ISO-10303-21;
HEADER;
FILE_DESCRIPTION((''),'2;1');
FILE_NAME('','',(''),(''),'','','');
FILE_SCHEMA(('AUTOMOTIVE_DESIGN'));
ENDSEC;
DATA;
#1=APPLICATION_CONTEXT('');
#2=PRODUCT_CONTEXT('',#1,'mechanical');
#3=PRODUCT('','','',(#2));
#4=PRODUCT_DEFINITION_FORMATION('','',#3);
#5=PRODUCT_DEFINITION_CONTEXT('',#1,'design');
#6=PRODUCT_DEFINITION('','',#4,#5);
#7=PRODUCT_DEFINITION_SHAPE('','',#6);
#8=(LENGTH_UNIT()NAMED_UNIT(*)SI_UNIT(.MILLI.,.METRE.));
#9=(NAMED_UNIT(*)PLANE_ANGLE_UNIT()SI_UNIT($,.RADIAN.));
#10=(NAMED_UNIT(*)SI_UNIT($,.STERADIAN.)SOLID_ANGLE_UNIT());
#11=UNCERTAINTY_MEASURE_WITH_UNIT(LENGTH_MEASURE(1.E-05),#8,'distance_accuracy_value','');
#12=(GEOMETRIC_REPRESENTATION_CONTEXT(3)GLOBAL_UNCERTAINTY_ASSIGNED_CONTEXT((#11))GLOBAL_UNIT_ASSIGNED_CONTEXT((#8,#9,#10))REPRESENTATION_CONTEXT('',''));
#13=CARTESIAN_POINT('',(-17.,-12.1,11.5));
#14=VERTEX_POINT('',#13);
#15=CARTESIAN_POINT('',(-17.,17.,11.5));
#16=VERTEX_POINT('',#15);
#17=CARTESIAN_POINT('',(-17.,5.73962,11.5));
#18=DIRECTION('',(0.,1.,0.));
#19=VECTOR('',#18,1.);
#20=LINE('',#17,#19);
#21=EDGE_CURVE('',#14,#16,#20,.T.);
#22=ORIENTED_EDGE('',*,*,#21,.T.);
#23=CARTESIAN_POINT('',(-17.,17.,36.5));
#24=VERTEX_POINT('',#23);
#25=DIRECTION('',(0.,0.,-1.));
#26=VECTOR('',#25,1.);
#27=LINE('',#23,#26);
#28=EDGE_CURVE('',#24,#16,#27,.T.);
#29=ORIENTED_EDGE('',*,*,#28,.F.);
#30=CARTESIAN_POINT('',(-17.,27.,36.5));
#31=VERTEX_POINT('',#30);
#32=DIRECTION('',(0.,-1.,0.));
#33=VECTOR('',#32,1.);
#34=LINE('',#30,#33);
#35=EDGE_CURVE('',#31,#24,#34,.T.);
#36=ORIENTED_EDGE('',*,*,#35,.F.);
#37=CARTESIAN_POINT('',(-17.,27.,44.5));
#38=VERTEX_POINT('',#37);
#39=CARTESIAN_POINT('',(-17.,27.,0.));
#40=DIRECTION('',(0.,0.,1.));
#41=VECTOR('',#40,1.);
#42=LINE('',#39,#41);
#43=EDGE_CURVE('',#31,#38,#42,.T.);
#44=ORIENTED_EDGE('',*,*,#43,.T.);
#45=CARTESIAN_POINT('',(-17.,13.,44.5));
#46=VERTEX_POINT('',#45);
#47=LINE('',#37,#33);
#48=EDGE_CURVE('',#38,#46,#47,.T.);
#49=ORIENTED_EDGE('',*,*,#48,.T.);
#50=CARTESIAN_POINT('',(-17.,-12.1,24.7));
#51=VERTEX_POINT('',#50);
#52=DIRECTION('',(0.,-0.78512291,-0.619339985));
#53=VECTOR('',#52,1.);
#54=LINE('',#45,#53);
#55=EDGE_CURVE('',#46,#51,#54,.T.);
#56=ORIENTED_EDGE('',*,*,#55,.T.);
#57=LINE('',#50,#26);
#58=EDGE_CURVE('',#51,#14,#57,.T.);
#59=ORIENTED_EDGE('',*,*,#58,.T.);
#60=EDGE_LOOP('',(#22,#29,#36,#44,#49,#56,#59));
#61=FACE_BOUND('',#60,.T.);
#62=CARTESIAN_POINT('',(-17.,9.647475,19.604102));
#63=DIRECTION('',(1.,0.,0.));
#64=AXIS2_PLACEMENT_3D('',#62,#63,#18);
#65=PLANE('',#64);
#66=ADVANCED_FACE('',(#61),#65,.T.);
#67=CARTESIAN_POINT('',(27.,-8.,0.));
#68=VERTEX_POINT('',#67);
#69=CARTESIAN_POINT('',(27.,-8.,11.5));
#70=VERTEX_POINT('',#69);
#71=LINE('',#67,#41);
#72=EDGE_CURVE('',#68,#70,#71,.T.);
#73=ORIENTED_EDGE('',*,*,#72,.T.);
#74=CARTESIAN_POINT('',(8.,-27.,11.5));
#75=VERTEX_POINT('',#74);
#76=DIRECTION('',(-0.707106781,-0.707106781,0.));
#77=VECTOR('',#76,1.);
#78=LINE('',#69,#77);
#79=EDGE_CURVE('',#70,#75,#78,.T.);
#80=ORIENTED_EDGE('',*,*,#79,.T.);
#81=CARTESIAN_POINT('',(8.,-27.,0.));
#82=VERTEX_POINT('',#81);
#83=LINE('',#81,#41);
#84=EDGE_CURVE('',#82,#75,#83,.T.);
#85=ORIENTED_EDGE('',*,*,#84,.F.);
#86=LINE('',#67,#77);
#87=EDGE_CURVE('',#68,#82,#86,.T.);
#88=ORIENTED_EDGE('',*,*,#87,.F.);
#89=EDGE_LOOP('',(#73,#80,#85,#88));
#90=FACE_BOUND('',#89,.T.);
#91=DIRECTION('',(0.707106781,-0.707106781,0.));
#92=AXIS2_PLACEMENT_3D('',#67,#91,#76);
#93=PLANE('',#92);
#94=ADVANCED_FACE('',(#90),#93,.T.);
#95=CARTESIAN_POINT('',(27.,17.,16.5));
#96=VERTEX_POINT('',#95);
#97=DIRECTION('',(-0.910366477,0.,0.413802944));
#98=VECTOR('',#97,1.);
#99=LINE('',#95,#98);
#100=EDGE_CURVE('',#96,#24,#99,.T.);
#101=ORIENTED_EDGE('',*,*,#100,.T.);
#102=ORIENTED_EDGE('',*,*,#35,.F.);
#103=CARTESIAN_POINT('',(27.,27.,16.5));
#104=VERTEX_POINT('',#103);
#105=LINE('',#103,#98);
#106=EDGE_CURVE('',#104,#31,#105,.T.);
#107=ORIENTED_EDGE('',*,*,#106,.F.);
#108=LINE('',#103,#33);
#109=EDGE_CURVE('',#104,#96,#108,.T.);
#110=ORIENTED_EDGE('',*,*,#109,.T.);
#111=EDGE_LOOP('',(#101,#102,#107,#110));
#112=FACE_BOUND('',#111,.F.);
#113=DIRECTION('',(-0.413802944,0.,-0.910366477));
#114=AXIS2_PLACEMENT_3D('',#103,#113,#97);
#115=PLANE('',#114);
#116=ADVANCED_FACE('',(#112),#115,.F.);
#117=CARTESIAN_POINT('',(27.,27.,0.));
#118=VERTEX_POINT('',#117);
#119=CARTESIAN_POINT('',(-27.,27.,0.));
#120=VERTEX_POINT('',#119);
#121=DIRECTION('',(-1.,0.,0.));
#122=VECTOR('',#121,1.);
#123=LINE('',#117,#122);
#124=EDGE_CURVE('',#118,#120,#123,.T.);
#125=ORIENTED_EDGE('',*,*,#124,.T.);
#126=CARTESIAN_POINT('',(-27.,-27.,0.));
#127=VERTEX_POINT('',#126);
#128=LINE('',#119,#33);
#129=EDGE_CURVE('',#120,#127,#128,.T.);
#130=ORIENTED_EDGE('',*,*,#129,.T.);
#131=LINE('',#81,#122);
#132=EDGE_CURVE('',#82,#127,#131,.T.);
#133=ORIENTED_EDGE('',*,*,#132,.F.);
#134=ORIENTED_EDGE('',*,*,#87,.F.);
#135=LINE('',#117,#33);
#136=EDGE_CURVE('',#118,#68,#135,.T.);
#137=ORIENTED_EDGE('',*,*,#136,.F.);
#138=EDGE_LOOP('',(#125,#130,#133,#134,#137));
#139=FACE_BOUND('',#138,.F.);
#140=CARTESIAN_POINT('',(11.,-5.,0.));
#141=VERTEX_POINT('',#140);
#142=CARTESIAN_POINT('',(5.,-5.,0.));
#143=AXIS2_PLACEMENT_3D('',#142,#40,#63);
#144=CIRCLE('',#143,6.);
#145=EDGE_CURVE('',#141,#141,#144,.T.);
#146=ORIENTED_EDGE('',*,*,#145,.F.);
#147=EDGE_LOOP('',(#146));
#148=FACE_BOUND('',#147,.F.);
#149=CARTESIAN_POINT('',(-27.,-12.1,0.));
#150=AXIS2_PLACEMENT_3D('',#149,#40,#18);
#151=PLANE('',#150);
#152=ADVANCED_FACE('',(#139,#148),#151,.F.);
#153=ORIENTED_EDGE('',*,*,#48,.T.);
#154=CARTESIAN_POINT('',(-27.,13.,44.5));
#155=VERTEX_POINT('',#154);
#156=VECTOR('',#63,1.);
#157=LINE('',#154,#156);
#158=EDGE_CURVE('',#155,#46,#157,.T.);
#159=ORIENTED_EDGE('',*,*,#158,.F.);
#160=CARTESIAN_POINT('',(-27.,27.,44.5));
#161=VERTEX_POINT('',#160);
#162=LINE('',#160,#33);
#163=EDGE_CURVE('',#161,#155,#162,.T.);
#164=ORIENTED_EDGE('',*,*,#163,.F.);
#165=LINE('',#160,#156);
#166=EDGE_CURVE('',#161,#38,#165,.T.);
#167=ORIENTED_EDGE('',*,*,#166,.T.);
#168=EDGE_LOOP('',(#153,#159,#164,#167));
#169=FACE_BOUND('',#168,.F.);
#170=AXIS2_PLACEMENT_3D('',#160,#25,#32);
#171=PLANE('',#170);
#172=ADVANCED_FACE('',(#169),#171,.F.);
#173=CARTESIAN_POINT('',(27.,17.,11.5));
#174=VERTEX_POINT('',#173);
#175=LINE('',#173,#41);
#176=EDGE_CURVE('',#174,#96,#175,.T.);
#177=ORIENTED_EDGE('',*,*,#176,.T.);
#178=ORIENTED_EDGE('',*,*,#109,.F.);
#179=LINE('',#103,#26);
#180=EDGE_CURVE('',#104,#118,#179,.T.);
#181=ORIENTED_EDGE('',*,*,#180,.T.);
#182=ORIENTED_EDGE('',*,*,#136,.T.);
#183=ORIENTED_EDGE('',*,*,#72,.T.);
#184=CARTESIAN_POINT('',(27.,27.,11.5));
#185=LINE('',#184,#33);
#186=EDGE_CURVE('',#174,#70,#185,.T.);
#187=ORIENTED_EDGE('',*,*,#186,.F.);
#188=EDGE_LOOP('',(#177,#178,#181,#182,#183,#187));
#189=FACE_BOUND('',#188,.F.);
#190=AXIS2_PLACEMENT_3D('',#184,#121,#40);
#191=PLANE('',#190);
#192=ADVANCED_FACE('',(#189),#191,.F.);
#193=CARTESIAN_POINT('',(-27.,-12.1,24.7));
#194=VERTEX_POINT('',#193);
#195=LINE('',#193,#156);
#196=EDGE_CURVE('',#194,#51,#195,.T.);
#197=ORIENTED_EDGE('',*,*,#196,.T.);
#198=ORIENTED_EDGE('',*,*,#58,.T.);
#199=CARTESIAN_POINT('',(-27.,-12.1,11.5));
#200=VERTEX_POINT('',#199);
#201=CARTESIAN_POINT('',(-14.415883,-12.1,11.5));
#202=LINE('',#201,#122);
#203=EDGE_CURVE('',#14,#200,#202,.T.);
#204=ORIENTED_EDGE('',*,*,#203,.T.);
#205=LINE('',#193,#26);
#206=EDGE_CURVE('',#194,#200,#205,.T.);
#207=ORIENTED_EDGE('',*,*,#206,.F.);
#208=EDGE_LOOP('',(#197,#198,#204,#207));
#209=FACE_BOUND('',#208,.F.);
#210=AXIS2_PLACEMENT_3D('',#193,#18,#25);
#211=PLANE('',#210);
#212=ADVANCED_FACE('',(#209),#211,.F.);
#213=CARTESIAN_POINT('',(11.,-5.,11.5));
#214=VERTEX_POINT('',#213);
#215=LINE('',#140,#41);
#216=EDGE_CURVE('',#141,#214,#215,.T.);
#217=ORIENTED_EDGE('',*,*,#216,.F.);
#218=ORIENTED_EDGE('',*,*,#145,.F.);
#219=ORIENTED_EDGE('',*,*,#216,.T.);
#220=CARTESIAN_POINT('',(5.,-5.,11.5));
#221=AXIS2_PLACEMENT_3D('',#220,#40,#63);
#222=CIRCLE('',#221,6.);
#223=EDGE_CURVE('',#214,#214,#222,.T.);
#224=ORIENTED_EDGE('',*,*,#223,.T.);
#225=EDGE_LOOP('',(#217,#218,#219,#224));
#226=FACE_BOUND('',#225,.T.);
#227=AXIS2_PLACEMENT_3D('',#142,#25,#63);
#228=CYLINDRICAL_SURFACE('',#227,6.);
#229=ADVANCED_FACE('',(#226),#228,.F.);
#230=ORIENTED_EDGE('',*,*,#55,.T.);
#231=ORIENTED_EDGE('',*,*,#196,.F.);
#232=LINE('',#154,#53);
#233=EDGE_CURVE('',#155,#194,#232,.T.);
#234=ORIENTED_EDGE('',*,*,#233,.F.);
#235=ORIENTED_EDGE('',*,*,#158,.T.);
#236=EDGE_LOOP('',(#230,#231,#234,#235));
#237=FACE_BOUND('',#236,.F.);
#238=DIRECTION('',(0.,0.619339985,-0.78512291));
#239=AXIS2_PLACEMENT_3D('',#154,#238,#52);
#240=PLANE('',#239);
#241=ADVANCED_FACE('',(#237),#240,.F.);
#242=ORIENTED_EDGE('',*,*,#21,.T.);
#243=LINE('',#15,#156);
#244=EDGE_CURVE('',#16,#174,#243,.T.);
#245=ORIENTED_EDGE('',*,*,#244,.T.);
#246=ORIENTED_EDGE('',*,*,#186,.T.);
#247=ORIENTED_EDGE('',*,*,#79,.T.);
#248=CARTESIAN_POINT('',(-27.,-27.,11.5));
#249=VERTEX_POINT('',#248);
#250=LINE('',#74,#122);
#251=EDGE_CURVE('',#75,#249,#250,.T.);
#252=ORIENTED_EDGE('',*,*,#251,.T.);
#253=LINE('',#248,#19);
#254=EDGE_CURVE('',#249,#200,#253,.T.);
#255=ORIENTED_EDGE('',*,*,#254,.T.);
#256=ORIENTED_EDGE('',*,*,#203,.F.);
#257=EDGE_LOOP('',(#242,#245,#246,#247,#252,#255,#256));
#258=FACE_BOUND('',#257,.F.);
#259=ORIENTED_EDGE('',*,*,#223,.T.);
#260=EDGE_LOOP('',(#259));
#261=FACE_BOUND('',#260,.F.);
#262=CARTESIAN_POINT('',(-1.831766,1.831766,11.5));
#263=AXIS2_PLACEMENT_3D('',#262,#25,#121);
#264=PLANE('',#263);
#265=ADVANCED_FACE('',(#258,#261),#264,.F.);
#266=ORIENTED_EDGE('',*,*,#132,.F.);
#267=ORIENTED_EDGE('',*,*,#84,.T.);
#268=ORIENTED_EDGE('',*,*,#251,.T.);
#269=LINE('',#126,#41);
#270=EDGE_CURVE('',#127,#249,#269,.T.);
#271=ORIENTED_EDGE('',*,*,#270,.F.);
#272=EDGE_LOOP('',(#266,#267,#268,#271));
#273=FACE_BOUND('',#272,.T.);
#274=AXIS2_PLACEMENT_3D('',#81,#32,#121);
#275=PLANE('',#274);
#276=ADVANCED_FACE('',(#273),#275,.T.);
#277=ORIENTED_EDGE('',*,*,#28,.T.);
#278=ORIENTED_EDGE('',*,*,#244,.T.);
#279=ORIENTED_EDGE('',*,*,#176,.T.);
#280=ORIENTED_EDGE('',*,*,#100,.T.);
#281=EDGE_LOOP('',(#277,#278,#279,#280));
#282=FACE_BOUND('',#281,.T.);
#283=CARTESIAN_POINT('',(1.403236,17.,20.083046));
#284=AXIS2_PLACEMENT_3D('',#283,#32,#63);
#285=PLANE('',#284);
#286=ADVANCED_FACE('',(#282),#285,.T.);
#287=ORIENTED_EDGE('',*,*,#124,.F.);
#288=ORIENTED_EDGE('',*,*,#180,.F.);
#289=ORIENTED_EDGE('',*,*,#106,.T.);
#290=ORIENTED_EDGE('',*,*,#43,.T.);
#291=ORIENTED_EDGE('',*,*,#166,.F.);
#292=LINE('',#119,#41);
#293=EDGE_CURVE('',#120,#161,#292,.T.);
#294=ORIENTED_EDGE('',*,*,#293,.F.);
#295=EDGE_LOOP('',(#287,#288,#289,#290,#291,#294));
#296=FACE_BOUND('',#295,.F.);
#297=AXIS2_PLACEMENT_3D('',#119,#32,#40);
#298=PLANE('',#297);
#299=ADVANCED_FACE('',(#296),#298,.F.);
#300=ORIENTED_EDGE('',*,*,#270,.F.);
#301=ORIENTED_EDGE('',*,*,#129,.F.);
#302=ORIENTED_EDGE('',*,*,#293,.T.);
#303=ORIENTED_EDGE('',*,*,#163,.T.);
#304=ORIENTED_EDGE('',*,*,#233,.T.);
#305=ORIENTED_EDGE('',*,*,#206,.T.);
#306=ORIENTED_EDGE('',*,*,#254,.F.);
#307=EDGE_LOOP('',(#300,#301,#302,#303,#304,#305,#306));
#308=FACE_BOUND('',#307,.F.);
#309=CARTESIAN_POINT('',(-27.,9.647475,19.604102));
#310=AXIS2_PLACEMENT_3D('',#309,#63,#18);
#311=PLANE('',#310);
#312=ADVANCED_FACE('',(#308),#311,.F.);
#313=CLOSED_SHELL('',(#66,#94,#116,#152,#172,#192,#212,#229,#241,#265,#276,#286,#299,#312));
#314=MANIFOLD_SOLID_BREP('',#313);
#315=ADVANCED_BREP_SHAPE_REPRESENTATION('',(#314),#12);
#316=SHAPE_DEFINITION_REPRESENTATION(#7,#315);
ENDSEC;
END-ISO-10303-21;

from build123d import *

# Parameters (mm, degrees)
PAD001_DEPTH = 10
SKETCH_R     = 6
PAD_DEPTH    = 11.5
PAD002_DEPTH = 10


with BuildPart() as lateral_i:
    # Sketch001 → Pad001 (new body)
    with BuildSketch(Plane.YZ.offset(-27)):
        Polygon((27, 0), (27, 44.5), (13, 44.5), (-12.1, 24.7), (-12.1, 0), align=None)
    extrude(amount=PAD001_DEPTH)


with BuildPart() as base:
    # Sketch → Pad (new body)
    with BuildSketch(Plane.XY):
        Polygon((-27, 27), (27, 27), (27, -8), (8, -27), (-27, -27), align=None)
        with Locations((5, -5)):
            Circle(SKETCH_R, mode=Mode.SUBTRACT)
    extrude(amount=PAD_DEPTH)


with BuildPart() as pieza_laterales:
    # Sketch002 → Pad002 (new body)
    with BuildSketch(Plane(origin=(5, 27, 0), x_dir=(1, 0, 0), z_dir=(0, -1, 0))):
        Polygon((22, 11.5), (22, 16.5), (-22, 36.5), (-22, 11.5), align=None)
    extrude(amount=PAD002_DEPTH)

    # Fusion: union Lateral-I, Base
    add(lateral_i.part)
    add(base.part)


solid = pieza_laterales.part
